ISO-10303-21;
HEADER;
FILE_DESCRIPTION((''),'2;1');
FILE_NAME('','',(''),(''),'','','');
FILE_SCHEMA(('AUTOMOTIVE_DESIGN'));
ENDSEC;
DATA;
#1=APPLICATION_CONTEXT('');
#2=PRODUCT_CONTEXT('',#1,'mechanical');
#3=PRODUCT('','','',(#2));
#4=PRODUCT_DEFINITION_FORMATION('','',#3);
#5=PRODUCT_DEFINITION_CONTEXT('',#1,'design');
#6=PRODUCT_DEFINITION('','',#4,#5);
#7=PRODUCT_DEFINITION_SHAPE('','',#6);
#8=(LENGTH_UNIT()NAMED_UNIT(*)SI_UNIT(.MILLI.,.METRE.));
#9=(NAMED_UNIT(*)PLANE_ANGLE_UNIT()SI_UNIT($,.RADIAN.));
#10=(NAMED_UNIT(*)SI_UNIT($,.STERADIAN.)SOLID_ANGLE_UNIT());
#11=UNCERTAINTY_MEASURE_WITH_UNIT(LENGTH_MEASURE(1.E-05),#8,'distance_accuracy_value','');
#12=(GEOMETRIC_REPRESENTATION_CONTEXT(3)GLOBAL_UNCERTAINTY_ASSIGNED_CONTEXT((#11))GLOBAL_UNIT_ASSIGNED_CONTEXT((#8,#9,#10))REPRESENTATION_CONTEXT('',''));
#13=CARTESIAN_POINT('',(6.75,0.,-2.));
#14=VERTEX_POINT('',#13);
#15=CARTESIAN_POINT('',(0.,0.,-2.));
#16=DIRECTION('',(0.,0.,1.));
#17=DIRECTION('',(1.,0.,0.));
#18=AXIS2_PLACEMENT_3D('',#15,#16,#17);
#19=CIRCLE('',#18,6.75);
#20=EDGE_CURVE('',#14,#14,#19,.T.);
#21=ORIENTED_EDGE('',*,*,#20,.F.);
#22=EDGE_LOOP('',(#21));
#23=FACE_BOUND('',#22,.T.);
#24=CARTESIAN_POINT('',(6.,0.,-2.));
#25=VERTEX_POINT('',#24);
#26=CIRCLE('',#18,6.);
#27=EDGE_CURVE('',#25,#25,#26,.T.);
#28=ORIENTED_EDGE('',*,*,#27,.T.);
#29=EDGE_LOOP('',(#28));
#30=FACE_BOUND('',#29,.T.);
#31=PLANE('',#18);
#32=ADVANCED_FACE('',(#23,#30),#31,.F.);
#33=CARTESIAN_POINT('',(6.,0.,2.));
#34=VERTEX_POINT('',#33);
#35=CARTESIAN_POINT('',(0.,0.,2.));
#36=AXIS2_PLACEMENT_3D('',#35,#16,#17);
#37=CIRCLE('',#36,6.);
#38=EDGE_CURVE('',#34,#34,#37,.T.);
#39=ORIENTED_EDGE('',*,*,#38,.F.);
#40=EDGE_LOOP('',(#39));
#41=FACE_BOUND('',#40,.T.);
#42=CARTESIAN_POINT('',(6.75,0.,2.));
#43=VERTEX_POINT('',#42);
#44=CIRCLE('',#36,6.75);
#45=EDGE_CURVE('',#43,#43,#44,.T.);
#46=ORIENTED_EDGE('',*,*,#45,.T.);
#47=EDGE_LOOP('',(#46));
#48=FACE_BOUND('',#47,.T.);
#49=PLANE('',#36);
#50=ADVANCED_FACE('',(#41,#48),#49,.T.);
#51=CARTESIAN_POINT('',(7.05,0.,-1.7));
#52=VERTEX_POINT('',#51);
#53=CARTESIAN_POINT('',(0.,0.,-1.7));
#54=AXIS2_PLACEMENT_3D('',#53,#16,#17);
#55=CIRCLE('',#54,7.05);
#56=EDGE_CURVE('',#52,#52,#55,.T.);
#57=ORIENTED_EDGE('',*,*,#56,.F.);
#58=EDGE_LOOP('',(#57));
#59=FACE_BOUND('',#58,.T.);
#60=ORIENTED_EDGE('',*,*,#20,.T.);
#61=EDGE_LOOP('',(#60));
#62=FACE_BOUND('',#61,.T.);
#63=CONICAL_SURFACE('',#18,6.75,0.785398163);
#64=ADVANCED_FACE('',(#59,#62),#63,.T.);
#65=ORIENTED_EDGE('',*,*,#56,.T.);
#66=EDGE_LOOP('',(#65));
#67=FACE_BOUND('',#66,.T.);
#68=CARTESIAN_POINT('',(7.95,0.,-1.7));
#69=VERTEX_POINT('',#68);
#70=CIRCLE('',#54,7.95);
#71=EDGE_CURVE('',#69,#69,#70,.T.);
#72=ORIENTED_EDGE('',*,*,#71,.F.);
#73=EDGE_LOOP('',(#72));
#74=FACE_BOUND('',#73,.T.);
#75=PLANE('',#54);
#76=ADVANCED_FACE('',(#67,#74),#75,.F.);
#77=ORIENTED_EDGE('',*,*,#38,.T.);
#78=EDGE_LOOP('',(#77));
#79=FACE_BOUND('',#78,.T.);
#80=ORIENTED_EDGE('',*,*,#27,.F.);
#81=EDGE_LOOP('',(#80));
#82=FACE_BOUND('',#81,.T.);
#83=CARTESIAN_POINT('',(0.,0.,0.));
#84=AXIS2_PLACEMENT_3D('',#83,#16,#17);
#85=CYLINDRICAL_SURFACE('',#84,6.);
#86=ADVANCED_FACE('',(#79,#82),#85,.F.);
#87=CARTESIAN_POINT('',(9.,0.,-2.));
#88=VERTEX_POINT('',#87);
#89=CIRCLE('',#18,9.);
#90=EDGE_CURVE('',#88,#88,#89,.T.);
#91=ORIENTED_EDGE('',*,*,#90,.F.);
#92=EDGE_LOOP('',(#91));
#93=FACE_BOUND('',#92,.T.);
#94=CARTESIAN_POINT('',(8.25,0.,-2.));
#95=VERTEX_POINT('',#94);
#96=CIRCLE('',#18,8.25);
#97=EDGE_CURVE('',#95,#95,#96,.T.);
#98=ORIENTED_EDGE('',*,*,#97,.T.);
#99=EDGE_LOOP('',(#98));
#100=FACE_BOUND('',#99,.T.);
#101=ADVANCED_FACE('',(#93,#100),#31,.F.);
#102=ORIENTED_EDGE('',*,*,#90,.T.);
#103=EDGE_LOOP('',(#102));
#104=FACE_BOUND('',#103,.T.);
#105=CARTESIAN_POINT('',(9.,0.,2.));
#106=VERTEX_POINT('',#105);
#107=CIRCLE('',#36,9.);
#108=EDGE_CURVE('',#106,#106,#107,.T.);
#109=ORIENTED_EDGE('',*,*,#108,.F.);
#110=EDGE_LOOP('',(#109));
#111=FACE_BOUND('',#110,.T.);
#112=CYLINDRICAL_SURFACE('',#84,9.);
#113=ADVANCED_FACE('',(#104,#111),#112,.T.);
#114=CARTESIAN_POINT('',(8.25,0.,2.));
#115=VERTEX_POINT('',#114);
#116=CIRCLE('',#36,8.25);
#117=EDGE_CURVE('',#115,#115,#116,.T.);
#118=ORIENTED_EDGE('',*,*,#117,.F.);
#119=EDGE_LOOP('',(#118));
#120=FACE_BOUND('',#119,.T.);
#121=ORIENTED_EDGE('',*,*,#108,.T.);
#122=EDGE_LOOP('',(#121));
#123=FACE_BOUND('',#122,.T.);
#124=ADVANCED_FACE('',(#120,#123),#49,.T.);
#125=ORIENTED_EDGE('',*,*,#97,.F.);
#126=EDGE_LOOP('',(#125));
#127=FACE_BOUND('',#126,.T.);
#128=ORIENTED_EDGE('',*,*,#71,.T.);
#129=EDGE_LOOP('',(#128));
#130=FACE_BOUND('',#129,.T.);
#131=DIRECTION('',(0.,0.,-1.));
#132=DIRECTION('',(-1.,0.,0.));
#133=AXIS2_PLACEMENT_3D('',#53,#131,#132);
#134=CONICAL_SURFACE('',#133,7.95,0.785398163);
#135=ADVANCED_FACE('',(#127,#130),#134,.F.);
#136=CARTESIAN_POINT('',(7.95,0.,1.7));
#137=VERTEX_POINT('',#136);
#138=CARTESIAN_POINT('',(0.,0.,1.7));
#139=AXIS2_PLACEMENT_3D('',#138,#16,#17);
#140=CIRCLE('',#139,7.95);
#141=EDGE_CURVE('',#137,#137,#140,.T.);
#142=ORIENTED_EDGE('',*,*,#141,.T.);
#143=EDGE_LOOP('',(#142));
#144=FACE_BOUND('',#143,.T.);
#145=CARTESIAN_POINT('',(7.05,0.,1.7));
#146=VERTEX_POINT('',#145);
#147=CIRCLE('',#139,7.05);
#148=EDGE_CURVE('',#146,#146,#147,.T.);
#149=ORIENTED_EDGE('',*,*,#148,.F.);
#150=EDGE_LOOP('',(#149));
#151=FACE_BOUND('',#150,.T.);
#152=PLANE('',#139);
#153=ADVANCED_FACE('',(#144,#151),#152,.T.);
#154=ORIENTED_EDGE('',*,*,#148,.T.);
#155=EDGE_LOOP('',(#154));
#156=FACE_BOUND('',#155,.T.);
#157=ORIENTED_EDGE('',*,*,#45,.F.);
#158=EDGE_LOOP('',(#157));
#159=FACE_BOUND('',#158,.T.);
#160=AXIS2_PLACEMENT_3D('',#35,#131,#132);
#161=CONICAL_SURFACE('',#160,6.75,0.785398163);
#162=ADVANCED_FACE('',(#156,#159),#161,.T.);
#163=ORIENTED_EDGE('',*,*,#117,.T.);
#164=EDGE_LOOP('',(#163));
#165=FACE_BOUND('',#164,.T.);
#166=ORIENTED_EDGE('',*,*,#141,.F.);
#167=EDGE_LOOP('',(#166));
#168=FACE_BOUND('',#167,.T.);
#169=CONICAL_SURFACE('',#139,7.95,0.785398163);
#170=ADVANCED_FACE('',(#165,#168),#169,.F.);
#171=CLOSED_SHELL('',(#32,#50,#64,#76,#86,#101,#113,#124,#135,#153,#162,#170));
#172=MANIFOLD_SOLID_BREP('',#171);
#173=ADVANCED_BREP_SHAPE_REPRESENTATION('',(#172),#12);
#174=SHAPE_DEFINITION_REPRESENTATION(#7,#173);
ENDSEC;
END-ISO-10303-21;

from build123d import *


with BuildPart() as part:
    # Sketch1 → Revolve1 (revolve)
    with BuildSketch(Plane(origin=(0, 0, 0), x_dir=(1, 0, 0), z_dir=(0, 1, 0))):
        Polygon((6, -2), (6, 2), (6.75, 2), (7.05, 1.7), (7.95, 1.7), (8.25, 2), (9, 2), (9, -2), (8.25, -2), (7.95, -1.7), (7.05, -1.7), (6.75, -2), align=None)
    revolve(axis=Axis((0, 0, 0), (0, 0, -1)))


solid = part.part
